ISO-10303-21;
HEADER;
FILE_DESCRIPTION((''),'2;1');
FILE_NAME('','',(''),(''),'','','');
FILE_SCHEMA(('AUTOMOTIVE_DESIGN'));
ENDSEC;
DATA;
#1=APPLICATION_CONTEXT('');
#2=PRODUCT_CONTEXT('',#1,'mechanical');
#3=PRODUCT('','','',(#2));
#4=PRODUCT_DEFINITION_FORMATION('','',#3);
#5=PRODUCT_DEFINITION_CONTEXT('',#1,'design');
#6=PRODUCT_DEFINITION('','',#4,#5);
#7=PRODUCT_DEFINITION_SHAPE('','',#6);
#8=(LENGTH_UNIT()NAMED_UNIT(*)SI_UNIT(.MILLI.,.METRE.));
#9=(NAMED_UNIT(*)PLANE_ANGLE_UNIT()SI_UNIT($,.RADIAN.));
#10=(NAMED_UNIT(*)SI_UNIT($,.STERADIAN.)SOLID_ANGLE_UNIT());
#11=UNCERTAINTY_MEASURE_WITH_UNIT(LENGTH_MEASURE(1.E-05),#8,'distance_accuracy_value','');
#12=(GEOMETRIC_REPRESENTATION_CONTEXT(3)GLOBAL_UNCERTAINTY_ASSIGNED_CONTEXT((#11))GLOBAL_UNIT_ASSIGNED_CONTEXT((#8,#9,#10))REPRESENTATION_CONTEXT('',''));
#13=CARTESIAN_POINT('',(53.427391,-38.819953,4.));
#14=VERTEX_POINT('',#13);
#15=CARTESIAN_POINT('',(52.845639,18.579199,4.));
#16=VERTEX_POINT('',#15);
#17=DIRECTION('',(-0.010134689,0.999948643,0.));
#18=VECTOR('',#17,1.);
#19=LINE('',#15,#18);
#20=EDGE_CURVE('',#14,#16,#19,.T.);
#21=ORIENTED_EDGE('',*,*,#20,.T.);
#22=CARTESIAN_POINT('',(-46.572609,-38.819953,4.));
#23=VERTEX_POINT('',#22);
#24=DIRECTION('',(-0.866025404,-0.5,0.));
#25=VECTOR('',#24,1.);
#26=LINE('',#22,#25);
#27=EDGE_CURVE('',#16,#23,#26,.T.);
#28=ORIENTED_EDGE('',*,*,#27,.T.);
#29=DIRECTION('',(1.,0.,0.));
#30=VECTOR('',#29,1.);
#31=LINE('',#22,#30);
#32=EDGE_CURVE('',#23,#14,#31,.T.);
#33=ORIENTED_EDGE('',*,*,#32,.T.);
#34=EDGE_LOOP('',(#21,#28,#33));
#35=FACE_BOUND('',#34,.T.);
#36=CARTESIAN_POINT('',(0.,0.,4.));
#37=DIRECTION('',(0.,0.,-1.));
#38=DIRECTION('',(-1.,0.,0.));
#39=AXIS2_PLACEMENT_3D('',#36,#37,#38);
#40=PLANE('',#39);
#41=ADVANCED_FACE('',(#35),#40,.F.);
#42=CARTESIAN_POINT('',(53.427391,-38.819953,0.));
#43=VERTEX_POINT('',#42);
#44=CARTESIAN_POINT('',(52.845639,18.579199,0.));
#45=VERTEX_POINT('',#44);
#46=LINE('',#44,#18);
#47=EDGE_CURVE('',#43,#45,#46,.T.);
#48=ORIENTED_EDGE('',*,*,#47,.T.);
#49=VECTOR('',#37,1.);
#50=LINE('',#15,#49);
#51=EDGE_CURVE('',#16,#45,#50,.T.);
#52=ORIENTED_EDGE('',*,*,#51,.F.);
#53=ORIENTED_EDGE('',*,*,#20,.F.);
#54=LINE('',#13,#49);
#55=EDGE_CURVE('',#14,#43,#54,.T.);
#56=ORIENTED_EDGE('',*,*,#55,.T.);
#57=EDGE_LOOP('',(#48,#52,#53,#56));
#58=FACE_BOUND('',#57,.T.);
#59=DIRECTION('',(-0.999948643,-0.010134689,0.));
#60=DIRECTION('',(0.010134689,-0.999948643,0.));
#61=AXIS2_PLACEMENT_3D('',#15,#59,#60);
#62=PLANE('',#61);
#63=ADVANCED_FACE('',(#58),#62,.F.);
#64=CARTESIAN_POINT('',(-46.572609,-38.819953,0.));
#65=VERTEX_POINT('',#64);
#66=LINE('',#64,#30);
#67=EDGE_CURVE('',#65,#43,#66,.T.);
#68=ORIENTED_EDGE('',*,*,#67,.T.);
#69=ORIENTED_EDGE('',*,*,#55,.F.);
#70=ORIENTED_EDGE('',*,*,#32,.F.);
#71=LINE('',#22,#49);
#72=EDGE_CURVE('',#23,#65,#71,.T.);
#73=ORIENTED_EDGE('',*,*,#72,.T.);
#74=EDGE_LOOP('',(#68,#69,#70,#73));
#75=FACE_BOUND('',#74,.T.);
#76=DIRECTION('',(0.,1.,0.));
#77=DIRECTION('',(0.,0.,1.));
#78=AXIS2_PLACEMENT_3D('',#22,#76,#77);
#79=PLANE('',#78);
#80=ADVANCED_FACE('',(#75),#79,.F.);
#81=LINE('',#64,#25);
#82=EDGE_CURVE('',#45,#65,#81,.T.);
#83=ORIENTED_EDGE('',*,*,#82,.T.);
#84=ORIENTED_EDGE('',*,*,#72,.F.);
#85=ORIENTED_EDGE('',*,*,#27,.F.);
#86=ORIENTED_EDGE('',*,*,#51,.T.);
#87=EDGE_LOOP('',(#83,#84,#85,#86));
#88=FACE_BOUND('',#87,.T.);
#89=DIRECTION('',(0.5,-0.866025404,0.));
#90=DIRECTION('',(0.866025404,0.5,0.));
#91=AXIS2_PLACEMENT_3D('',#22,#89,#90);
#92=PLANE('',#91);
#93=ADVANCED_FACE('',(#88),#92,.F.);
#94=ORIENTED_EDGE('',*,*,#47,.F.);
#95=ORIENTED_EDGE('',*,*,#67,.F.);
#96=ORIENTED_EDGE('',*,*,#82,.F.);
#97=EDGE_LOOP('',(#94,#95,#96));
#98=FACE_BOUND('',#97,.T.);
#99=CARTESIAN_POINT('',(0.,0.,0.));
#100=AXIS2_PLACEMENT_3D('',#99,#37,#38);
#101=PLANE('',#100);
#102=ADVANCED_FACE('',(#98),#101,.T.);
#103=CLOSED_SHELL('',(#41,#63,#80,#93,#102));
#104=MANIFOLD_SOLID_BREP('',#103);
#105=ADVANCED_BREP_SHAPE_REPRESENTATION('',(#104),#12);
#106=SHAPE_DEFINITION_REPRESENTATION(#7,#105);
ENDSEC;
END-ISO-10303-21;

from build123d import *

# Parameters (mm, degrees)
BOSS_EXTRUDE1_DEPTH = 4


with BuildPart() as part:
    # Sketch1 → Boss-Extrude1 (new body)
    with BuildSketch(Plane.XY):
        Polygon((-46.572608973, -38.819952787), (53.427391027, -38.819952787), (52.84563857, 18.579199194), align=None)
    extrude(amount=BOSS_EXTRUDE1_DEPTH)


solid = part.part
